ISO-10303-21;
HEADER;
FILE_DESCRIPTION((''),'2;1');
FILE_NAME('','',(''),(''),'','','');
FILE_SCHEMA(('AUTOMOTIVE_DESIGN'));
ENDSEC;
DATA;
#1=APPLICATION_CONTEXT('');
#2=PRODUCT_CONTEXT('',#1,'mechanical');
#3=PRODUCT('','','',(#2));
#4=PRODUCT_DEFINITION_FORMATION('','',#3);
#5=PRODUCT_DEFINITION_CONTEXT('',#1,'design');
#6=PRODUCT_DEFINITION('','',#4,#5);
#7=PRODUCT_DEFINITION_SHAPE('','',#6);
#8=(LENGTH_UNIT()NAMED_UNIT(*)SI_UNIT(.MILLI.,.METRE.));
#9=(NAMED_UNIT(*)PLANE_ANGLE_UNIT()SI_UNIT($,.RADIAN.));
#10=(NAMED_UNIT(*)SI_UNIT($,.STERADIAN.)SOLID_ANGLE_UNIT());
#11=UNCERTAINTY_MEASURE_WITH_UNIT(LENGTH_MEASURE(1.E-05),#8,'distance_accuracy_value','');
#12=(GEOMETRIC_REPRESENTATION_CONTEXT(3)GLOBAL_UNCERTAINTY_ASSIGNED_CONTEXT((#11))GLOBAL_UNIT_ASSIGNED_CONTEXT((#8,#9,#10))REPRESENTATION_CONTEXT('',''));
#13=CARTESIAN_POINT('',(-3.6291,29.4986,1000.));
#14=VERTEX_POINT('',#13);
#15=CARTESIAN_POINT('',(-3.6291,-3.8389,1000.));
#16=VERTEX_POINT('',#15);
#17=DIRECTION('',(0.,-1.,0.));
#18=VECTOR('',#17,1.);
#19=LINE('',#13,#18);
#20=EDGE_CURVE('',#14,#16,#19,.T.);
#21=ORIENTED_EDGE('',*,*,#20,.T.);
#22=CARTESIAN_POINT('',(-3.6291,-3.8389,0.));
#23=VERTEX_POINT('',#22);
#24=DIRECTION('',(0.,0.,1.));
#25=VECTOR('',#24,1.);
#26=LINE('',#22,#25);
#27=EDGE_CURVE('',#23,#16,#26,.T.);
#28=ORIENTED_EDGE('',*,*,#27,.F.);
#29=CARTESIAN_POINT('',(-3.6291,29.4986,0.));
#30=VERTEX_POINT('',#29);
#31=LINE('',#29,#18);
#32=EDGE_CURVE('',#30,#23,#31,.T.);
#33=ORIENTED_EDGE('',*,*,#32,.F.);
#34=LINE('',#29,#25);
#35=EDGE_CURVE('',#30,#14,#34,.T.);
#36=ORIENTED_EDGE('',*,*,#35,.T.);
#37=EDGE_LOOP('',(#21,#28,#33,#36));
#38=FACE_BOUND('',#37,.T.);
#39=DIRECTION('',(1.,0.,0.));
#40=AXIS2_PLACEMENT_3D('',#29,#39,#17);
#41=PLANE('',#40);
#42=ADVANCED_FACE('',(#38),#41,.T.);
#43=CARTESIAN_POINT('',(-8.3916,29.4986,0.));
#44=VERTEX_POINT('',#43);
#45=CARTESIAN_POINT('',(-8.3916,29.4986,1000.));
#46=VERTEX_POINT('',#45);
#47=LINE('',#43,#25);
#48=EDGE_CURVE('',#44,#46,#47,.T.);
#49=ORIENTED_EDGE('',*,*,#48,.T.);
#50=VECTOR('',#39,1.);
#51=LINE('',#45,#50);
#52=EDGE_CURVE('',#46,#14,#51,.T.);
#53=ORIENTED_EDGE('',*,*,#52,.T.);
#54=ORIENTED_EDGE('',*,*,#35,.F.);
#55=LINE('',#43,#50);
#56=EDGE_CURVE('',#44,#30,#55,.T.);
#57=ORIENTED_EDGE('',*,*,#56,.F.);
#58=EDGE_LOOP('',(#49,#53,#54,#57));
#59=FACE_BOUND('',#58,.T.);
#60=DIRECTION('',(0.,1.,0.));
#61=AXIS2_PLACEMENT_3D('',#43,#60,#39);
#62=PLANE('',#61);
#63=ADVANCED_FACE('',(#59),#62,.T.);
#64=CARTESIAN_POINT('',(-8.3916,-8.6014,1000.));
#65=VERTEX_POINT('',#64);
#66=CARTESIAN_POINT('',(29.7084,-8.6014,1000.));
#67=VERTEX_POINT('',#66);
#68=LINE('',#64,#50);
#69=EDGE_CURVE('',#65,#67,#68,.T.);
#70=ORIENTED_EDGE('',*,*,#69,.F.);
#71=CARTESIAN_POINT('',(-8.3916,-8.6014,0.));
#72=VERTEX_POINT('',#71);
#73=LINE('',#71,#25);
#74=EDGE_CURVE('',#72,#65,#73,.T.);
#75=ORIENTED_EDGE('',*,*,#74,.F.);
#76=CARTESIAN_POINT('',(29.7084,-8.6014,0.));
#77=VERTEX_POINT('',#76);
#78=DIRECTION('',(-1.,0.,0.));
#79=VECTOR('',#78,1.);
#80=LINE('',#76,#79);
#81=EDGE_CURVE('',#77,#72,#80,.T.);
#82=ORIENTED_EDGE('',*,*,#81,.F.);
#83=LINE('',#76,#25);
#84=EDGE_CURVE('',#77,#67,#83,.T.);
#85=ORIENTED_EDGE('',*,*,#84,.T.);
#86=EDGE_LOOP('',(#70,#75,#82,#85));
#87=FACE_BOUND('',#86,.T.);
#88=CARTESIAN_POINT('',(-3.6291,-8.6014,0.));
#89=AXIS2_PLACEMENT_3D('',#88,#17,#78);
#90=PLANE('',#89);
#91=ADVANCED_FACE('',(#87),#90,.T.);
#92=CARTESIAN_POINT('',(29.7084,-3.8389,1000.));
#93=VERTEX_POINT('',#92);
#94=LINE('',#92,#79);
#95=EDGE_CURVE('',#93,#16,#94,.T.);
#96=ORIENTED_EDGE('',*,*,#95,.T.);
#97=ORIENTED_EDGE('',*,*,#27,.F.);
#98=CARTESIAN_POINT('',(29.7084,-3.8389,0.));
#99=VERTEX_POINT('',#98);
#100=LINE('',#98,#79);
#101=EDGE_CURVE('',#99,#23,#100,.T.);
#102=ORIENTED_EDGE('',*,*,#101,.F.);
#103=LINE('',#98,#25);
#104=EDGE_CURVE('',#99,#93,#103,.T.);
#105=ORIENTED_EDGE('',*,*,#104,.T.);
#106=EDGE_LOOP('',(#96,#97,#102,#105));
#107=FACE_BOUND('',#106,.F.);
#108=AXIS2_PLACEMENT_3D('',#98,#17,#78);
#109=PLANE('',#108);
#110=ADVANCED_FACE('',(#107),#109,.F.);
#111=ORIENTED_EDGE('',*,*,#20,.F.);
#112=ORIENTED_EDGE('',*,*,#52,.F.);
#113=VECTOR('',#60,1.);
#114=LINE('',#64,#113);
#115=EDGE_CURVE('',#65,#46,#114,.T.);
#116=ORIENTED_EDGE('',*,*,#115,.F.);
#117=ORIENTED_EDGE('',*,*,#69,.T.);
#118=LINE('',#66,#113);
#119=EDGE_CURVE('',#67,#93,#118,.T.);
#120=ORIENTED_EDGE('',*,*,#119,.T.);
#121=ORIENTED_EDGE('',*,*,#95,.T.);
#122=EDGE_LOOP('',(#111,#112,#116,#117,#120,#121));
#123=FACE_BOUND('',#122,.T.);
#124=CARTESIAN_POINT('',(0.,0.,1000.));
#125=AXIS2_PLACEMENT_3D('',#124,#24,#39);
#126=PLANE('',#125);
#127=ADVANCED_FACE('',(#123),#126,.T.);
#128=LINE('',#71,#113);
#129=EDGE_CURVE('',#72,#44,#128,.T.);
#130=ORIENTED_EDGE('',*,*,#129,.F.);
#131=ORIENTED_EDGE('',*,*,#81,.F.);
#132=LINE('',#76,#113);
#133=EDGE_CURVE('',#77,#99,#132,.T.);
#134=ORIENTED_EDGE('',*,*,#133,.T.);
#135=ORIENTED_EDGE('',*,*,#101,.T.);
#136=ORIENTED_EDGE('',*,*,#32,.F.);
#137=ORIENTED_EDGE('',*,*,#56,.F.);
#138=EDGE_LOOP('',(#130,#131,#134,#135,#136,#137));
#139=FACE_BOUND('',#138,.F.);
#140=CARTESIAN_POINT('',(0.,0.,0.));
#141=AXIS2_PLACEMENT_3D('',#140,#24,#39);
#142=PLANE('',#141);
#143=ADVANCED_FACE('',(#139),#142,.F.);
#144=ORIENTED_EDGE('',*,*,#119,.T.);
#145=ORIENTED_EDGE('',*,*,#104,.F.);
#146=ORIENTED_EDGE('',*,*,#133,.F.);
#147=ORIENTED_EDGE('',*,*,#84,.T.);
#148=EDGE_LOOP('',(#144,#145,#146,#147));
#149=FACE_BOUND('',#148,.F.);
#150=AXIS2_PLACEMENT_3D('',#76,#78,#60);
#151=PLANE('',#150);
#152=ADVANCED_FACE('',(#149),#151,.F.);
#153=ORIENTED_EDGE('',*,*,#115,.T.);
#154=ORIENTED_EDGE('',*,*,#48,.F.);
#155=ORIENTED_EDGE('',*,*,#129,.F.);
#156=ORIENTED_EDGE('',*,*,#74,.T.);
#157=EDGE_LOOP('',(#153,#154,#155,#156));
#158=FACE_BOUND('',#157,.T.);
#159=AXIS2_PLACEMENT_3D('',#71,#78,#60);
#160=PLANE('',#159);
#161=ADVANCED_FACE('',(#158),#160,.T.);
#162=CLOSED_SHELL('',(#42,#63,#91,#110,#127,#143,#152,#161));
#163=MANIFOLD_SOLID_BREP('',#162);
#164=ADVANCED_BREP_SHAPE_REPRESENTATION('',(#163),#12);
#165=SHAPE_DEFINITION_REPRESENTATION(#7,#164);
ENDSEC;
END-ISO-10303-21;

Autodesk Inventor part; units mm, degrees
ref_plane "YZ Plane" through (0, 0, 0) normal (1, 0, 0) x (0, 1, 0)
ref_plane "XZ Plane" through (0, 0, 0) normal (0, 1, 0) x (-1, 0, 0)
ref_plane "XY Plane" through (0, 0, 0) normal (0, 0, 1) x (1, 0, 0)
sketch "Sketch1" plane through (0, 0, 0) normal (0, 0, 1) x (1, 0, 0)
  line L0 (-8.3916, 29.4986) -> (-3.6291, 29.4986)
  line L1 (-3.6291, 29.4986) -> (-3.6291, -8.6014)
  line L2 (-3.6291, -8.6014) -> (-8.3916, -8.6014)
  line L3 (-8.3916, -8.6014) -> (-8.3916, 29.4986)
  line L4 (-3.6291, -8.6014) -> (29.7084, -8.6014)
  line L5 (29.7084, -8.6014) -> (29.7084, -3.8389)
  line L6 (29.7084, -3.8389) -> (-3.6291, -3.8389)
  line L7 (-3.6291, -3.8389) -> (-3.6291, -8.6014)
  point P0 (0, 0)
  dimension "d0" = 38.1
  dimension "d1" = 38.1
  dimension "d2" = 4.7625
  dimension "d3" = 4.7625
extrude "Extrusion1" add sketch "Sketch1" along normal blind 1000
properties part number "angle support"
